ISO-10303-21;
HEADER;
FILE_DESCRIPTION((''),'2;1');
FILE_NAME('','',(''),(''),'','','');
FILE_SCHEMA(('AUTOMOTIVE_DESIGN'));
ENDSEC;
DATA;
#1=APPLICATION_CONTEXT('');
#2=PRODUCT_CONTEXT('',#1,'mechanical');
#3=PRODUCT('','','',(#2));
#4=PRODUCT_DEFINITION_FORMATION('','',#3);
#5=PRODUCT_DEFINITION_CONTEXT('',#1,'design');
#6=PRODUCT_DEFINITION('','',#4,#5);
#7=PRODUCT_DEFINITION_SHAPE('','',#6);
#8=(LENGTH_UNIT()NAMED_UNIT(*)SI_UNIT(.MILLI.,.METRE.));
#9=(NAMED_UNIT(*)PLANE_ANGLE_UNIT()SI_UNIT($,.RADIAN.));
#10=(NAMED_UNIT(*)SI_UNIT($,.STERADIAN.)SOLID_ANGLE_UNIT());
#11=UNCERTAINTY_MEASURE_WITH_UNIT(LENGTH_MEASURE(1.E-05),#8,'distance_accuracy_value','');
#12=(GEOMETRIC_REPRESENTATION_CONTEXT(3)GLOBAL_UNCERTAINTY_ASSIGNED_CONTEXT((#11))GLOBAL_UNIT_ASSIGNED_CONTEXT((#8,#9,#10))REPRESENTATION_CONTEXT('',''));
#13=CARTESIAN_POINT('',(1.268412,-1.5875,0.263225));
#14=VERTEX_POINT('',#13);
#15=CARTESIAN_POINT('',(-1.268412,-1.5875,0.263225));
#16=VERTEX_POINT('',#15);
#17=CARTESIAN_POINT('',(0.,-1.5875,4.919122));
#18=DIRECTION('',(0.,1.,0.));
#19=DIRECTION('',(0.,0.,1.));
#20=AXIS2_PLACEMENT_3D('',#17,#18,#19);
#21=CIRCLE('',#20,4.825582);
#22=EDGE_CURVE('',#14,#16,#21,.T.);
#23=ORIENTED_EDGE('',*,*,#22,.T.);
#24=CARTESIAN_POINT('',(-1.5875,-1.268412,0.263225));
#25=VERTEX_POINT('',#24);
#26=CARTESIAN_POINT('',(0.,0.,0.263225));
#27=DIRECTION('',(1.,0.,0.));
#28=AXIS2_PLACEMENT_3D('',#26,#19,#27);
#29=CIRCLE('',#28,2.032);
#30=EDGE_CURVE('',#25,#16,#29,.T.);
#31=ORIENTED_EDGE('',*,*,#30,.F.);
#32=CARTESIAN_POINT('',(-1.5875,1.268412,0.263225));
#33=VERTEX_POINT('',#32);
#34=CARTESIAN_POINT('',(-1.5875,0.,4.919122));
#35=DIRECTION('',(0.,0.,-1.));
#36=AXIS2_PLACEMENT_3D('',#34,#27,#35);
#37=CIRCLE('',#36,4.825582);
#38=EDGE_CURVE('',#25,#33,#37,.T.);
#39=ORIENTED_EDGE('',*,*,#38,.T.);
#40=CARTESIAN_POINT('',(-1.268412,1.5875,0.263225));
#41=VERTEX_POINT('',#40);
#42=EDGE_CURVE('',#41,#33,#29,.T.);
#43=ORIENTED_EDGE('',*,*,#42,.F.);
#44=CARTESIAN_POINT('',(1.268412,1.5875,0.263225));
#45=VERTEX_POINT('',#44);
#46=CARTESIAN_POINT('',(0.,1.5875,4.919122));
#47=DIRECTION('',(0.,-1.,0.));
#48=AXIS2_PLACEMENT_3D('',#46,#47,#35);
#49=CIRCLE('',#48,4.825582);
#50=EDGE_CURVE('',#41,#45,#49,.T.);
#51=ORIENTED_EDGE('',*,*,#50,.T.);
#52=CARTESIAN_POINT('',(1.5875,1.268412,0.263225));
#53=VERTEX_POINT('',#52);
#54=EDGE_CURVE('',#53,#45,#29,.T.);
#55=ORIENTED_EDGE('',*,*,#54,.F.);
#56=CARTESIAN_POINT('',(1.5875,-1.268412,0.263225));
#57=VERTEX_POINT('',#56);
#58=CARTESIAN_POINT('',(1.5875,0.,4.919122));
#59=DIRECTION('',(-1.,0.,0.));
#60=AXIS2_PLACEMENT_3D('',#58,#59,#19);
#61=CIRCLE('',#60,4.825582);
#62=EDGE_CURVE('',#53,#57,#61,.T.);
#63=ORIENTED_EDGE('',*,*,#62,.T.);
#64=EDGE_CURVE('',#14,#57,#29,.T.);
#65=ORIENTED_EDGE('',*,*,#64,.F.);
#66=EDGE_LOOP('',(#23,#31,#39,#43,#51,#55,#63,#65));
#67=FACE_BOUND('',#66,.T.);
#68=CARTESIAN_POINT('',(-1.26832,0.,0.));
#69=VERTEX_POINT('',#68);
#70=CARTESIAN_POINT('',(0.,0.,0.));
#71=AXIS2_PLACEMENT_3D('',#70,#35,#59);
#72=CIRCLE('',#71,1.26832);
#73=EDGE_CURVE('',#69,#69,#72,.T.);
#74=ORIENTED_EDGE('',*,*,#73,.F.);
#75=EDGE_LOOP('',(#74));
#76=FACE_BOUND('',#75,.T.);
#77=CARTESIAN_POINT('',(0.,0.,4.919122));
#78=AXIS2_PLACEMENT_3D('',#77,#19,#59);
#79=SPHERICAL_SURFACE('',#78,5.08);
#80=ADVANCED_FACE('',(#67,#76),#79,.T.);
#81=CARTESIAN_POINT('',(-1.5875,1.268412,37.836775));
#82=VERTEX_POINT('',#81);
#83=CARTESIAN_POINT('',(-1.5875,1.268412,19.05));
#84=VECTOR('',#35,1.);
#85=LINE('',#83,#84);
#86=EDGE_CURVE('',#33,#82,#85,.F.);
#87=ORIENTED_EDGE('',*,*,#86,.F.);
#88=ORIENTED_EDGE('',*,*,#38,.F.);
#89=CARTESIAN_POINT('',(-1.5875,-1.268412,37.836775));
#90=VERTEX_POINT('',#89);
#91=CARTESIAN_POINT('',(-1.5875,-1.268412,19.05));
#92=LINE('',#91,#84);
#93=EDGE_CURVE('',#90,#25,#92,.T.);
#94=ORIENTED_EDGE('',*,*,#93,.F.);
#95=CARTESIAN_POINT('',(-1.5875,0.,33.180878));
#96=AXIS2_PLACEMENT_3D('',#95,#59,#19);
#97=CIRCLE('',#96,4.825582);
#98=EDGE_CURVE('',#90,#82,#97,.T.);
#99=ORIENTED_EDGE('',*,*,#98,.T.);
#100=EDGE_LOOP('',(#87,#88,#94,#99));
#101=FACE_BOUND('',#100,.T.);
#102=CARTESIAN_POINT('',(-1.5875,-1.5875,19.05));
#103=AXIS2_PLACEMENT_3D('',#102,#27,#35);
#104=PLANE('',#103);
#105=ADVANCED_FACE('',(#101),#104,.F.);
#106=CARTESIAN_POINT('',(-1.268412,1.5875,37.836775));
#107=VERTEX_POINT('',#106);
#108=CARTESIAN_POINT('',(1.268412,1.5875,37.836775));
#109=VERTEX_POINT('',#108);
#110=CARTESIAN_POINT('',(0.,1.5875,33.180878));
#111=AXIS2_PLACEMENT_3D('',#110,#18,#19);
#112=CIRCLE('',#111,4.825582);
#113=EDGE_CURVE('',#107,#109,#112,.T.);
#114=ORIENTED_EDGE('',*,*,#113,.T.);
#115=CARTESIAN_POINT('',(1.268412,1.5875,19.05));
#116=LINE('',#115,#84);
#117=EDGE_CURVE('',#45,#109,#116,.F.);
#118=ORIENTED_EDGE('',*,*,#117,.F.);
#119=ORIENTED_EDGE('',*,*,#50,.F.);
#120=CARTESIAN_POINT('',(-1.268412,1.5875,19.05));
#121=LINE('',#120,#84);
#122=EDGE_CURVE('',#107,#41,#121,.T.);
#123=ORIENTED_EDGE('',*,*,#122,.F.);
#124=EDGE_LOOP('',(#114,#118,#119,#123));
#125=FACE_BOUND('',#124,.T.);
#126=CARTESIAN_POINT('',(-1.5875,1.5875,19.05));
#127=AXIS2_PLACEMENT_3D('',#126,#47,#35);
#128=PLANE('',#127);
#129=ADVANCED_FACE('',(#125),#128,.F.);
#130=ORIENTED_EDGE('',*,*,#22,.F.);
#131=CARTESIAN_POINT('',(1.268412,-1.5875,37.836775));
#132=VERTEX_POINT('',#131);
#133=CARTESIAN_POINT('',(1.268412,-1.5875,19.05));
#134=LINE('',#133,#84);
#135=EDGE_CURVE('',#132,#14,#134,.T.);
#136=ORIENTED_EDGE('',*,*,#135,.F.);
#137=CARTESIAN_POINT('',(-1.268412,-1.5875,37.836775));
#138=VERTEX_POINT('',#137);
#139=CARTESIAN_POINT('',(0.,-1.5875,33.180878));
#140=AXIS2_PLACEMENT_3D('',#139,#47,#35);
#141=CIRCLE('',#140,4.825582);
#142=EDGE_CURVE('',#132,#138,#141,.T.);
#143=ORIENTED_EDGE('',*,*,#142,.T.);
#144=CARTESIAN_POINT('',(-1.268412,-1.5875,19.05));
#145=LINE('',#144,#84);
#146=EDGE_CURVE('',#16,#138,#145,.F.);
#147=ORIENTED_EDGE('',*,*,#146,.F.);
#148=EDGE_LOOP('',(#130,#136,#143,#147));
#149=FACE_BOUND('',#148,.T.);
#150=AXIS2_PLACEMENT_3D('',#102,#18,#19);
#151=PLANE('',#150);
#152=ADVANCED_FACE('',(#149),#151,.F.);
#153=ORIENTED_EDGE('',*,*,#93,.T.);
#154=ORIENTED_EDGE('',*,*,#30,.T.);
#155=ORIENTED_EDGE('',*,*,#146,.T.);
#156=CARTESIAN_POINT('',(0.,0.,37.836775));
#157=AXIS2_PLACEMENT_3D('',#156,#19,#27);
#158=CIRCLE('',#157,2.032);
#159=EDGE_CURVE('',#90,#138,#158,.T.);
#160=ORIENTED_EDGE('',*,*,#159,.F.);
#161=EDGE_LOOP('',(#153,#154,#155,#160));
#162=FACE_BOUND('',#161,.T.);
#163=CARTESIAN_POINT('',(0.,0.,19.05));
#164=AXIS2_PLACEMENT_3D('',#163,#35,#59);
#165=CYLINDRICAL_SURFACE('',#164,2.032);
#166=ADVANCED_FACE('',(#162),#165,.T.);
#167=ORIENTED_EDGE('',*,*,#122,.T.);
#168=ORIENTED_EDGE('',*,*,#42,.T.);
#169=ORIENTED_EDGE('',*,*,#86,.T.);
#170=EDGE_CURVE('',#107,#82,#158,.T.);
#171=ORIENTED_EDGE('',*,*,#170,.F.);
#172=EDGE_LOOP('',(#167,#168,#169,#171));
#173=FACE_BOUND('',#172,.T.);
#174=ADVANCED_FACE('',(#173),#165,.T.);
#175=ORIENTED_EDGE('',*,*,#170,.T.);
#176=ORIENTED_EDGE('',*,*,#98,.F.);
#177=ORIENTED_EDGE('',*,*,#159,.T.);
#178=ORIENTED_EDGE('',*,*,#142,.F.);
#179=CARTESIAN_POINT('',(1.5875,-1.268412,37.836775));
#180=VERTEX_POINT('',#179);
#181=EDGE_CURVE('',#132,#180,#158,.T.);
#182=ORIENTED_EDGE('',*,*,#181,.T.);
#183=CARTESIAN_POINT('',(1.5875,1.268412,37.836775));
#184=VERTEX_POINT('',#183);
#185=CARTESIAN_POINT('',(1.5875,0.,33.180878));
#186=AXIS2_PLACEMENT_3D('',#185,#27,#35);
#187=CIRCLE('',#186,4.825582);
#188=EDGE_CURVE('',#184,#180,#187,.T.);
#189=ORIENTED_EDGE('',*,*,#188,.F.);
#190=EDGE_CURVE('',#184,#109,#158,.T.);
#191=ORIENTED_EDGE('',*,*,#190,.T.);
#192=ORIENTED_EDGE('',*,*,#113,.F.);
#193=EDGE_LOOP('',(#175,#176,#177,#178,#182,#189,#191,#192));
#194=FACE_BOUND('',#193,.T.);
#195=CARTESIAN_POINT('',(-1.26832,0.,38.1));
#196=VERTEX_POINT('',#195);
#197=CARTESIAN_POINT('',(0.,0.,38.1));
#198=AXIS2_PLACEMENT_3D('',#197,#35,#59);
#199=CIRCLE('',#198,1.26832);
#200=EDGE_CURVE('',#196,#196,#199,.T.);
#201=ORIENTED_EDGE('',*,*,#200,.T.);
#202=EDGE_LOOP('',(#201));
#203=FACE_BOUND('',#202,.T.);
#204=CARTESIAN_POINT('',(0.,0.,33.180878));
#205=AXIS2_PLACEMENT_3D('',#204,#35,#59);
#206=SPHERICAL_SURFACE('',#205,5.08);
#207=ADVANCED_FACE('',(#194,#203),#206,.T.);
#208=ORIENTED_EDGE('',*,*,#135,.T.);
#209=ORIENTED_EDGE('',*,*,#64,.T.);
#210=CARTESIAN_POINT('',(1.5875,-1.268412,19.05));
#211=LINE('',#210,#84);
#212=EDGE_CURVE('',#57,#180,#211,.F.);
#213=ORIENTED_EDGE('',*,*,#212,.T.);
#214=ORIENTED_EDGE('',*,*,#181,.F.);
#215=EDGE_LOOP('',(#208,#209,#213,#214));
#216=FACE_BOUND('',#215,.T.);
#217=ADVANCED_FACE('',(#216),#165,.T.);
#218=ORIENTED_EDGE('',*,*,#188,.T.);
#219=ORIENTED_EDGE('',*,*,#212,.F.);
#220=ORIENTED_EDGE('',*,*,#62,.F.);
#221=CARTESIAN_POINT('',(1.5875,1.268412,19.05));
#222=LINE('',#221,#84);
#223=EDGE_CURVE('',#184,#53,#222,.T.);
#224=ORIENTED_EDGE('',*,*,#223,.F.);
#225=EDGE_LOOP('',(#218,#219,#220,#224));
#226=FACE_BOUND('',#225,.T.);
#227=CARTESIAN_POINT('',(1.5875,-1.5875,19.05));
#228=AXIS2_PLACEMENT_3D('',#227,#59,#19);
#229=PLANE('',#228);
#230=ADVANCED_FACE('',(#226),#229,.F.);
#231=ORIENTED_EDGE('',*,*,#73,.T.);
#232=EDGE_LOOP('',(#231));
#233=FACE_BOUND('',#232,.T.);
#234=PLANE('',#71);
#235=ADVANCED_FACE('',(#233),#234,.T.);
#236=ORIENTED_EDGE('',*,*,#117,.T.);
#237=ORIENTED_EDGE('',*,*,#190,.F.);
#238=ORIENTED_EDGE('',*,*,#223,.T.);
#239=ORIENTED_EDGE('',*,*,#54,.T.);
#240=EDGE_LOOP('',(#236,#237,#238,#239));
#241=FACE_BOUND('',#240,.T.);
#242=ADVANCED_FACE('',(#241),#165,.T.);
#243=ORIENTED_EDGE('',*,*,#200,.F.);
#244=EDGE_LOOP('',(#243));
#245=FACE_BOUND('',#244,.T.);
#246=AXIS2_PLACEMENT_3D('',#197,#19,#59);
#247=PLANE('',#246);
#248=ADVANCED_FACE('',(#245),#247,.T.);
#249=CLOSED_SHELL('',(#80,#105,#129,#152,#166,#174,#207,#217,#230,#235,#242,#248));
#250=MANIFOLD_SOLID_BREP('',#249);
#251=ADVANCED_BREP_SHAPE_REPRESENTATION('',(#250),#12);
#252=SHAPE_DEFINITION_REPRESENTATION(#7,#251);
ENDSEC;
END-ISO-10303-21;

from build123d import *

# Parameters (mm, degrees)
SKETCH1_W           = 3.175
SKETCH1_H           = 3.175
BOSS_EXTRUDE1_DEPTH = 19.05
SKETCH2_OUTSIDE_W   = 9.088
SKETCH2_OUTSIDE_H   = 9.089
SKETCH2_OUTSIDE_R   = 2.032
CUT_EXTRUDE1_DEPTH  = 20.05


with BuildPart() as part:
    # Sketch1 → Boss-Extrude1 (new body)
    with BuildSketch(Plane.XY):
        Rectangle(SKETCH1_W, SKETCH1_H)
    extrude(amount=BOSS_EXTRUDE1_DEPTH)

    # Sketch2 outside → Cut-Extrude1 (cut, through all)
    with BuildSketch(Plane(origin=(0, 0, 0), x_dir=(-1, 0, 0), z_dir=(0, 0, -1))):
        with Locations((0, -0.0005)):
            Rectangle(SKETCH2_OUTSIDE_W, SKETCH2_OUTSIDE_H)
        Circle(SKETCH2_OUTSIDE_R, mode=Mode.SUBTRACT)
    extrude(amount=-CUT_EXTRUDE1_DEPTH, mode=Mode.SUBTRACT)

    # Sketch3 → Cut-Revolve1 (revolve, cut)
    with BuildSketch(Plane(origin=(0, 0, 0), x_dir=(1, 0, 0), z_dir=(0, 1, 0))):
        with BuildLine():
            Line((-5.053685963, -4.40273269), (-5.053685963, 5.740530545))
            Line((-5.053685963, 5.740530545), (0, 5.740530545))
            Line((0, 5.740530545), (0, 0.160877736))
            ThreePointArc((0, 0.160877736), (-3.404639553, -1.148866368), (-5.053685963, -4.40273269))
        make_face()
    revolve(axis=Axis((0, 0, 19.05), (0, 0, -1)), mode=Mode.SUBTRACT)

    # Mirror1: part across plane


with BuildPart() as part_1:
    add(part.part)
    add(part.part.mirror(Plane(origin=(0, 0, 19.05), x_dir=(1, 0, 0), z_dir=(0, 0, -1))))


solid = part_1.part
